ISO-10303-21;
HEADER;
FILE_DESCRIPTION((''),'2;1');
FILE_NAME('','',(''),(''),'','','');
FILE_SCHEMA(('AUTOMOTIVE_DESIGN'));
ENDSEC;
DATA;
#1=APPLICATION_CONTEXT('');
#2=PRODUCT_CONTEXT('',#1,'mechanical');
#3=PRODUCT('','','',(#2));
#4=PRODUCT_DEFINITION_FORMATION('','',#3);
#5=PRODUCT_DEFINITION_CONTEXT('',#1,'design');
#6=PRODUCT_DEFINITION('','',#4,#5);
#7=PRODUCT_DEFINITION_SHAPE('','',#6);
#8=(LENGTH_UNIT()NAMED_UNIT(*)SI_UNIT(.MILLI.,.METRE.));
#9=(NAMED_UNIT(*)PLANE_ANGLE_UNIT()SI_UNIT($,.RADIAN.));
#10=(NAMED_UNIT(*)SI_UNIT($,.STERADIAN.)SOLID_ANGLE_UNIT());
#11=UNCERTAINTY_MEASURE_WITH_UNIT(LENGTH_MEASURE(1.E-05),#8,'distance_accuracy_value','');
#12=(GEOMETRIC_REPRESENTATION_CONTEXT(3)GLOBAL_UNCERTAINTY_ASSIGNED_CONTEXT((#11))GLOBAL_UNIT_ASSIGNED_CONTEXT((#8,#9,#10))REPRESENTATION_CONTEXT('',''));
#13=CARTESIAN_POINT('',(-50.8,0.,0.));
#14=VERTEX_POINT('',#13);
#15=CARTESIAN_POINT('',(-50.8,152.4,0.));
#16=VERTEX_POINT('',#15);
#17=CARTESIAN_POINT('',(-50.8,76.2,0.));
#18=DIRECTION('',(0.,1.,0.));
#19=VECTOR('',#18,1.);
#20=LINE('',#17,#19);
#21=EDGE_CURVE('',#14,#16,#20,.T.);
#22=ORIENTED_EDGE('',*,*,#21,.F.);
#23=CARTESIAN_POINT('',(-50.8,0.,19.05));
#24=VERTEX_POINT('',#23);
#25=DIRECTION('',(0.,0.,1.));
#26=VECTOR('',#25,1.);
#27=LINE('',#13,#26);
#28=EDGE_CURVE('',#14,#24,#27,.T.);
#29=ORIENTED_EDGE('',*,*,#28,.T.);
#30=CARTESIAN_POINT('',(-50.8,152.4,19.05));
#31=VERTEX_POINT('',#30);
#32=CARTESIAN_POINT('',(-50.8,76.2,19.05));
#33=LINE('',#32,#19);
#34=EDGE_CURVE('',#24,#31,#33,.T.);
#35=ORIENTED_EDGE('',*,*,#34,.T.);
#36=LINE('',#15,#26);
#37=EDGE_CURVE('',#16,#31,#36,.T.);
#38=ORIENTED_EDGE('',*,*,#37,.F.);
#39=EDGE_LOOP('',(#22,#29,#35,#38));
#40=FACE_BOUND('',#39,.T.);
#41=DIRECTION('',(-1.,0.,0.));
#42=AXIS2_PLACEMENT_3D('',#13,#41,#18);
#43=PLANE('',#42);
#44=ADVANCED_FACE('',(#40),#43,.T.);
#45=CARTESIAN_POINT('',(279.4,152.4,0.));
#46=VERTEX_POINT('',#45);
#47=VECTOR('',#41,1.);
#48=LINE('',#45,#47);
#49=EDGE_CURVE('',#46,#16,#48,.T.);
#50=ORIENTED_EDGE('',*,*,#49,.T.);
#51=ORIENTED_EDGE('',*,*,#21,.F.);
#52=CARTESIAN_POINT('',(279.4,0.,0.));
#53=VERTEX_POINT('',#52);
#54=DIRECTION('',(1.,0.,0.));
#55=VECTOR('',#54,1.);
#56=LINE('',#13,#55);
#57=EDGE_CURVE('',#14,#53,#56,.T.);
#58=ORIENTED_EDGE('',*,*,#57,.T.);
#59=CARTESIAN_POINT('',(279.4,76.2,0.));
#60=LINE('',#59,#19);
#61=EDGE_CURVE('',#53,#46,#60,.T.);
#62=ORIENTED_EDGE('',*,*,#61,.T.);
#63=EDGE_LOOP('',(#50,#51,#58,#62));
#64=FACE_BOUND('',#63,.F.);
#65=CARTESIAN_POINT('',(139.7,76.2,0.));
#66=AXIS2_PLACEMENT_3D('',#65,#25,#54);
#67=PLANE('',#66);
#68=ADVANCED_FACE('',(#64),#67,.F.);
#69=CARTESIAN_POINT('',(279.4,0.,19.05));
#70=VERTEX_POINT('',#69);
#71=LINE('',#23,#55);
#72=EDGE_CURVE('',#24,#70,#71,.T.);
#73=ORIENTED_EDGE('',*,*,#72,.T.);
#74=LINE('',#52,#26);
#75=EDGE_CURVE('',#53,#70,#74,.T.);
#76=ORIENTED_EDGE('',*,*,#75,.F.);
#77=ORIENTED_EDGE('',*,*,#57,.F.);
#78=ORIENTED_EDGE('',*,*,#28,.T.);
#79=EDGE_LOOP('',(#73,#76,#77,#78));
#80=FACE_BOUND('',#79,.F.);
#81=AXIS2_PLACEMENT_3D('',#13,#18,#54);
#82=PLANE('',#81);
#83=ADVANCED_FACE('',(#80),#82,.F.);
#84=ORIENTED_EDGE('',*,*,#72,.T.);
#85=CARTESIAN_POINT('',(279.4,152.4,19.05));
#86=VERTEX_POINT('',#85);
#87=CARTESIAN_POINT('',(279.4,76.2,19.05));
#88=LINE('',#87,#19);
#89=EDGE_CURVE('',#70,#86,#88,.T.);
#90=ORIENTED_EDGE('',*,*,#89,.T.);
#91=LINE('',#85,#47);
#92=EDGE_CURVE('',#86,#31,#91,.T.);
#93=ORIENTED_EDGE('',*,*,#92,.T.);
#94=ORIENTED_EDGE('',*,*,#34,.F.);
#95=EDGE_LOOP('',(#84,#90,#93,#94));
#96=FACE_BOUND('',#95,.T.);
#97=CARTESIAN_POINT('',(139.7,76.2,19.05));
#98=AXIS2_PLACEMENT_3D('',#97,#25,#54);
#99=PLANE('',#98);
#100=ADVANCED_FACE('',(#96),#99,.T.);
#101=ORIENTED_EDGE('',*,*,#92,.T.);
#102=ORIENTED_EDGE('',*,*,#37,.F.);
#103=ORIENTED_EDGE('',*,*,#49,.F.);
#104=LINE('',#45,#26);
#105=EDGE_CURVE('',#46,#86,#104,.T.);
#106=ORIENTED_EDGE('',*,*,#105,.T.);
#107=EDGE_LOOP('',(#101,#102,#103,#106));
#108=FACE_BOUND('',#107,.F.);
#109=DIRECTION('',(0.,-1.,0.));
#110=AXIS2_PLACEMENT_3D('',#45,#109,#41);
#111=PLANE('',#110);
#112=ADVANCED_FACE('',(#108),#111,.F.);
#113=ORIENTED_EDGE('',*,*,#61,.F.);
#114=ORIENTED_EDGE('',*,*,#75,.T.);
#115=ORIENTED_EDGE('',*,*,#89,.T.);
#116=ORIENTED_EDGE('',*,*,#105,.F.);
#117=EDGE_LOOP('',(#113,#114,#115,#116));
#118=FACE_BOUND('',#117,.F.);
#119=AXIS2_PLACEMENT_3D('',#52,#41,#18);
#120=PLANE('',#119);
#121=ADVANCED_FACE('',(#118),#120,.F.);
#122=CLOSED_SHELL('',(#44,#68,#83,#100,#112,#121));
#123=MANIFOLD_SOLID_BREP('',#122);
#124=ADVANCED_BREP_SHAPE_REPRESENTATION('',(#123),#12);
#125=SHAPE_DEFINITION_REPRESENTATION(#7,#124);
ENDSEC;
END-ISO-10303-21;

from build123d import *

# Parameters (mm, degrees)
F0_W     = 279.4
F0_H     = 152.4
F0_W_2   = 50.8
F1_DEPTH = 19.05


with BuildPart() as f1:
    # F0 (on Top) → F1 (new body)
    with BuildSketch(Plane.XY):
        with Locations((139.7, 76.2)):
            Rectangle(F0_W, F0_H)
        with Locations((-25.4, 76.2)):
            Rectangle(F0_W_2, F0_H)
    extrude(amount=F1_DEPTH)


solid = f1.part
